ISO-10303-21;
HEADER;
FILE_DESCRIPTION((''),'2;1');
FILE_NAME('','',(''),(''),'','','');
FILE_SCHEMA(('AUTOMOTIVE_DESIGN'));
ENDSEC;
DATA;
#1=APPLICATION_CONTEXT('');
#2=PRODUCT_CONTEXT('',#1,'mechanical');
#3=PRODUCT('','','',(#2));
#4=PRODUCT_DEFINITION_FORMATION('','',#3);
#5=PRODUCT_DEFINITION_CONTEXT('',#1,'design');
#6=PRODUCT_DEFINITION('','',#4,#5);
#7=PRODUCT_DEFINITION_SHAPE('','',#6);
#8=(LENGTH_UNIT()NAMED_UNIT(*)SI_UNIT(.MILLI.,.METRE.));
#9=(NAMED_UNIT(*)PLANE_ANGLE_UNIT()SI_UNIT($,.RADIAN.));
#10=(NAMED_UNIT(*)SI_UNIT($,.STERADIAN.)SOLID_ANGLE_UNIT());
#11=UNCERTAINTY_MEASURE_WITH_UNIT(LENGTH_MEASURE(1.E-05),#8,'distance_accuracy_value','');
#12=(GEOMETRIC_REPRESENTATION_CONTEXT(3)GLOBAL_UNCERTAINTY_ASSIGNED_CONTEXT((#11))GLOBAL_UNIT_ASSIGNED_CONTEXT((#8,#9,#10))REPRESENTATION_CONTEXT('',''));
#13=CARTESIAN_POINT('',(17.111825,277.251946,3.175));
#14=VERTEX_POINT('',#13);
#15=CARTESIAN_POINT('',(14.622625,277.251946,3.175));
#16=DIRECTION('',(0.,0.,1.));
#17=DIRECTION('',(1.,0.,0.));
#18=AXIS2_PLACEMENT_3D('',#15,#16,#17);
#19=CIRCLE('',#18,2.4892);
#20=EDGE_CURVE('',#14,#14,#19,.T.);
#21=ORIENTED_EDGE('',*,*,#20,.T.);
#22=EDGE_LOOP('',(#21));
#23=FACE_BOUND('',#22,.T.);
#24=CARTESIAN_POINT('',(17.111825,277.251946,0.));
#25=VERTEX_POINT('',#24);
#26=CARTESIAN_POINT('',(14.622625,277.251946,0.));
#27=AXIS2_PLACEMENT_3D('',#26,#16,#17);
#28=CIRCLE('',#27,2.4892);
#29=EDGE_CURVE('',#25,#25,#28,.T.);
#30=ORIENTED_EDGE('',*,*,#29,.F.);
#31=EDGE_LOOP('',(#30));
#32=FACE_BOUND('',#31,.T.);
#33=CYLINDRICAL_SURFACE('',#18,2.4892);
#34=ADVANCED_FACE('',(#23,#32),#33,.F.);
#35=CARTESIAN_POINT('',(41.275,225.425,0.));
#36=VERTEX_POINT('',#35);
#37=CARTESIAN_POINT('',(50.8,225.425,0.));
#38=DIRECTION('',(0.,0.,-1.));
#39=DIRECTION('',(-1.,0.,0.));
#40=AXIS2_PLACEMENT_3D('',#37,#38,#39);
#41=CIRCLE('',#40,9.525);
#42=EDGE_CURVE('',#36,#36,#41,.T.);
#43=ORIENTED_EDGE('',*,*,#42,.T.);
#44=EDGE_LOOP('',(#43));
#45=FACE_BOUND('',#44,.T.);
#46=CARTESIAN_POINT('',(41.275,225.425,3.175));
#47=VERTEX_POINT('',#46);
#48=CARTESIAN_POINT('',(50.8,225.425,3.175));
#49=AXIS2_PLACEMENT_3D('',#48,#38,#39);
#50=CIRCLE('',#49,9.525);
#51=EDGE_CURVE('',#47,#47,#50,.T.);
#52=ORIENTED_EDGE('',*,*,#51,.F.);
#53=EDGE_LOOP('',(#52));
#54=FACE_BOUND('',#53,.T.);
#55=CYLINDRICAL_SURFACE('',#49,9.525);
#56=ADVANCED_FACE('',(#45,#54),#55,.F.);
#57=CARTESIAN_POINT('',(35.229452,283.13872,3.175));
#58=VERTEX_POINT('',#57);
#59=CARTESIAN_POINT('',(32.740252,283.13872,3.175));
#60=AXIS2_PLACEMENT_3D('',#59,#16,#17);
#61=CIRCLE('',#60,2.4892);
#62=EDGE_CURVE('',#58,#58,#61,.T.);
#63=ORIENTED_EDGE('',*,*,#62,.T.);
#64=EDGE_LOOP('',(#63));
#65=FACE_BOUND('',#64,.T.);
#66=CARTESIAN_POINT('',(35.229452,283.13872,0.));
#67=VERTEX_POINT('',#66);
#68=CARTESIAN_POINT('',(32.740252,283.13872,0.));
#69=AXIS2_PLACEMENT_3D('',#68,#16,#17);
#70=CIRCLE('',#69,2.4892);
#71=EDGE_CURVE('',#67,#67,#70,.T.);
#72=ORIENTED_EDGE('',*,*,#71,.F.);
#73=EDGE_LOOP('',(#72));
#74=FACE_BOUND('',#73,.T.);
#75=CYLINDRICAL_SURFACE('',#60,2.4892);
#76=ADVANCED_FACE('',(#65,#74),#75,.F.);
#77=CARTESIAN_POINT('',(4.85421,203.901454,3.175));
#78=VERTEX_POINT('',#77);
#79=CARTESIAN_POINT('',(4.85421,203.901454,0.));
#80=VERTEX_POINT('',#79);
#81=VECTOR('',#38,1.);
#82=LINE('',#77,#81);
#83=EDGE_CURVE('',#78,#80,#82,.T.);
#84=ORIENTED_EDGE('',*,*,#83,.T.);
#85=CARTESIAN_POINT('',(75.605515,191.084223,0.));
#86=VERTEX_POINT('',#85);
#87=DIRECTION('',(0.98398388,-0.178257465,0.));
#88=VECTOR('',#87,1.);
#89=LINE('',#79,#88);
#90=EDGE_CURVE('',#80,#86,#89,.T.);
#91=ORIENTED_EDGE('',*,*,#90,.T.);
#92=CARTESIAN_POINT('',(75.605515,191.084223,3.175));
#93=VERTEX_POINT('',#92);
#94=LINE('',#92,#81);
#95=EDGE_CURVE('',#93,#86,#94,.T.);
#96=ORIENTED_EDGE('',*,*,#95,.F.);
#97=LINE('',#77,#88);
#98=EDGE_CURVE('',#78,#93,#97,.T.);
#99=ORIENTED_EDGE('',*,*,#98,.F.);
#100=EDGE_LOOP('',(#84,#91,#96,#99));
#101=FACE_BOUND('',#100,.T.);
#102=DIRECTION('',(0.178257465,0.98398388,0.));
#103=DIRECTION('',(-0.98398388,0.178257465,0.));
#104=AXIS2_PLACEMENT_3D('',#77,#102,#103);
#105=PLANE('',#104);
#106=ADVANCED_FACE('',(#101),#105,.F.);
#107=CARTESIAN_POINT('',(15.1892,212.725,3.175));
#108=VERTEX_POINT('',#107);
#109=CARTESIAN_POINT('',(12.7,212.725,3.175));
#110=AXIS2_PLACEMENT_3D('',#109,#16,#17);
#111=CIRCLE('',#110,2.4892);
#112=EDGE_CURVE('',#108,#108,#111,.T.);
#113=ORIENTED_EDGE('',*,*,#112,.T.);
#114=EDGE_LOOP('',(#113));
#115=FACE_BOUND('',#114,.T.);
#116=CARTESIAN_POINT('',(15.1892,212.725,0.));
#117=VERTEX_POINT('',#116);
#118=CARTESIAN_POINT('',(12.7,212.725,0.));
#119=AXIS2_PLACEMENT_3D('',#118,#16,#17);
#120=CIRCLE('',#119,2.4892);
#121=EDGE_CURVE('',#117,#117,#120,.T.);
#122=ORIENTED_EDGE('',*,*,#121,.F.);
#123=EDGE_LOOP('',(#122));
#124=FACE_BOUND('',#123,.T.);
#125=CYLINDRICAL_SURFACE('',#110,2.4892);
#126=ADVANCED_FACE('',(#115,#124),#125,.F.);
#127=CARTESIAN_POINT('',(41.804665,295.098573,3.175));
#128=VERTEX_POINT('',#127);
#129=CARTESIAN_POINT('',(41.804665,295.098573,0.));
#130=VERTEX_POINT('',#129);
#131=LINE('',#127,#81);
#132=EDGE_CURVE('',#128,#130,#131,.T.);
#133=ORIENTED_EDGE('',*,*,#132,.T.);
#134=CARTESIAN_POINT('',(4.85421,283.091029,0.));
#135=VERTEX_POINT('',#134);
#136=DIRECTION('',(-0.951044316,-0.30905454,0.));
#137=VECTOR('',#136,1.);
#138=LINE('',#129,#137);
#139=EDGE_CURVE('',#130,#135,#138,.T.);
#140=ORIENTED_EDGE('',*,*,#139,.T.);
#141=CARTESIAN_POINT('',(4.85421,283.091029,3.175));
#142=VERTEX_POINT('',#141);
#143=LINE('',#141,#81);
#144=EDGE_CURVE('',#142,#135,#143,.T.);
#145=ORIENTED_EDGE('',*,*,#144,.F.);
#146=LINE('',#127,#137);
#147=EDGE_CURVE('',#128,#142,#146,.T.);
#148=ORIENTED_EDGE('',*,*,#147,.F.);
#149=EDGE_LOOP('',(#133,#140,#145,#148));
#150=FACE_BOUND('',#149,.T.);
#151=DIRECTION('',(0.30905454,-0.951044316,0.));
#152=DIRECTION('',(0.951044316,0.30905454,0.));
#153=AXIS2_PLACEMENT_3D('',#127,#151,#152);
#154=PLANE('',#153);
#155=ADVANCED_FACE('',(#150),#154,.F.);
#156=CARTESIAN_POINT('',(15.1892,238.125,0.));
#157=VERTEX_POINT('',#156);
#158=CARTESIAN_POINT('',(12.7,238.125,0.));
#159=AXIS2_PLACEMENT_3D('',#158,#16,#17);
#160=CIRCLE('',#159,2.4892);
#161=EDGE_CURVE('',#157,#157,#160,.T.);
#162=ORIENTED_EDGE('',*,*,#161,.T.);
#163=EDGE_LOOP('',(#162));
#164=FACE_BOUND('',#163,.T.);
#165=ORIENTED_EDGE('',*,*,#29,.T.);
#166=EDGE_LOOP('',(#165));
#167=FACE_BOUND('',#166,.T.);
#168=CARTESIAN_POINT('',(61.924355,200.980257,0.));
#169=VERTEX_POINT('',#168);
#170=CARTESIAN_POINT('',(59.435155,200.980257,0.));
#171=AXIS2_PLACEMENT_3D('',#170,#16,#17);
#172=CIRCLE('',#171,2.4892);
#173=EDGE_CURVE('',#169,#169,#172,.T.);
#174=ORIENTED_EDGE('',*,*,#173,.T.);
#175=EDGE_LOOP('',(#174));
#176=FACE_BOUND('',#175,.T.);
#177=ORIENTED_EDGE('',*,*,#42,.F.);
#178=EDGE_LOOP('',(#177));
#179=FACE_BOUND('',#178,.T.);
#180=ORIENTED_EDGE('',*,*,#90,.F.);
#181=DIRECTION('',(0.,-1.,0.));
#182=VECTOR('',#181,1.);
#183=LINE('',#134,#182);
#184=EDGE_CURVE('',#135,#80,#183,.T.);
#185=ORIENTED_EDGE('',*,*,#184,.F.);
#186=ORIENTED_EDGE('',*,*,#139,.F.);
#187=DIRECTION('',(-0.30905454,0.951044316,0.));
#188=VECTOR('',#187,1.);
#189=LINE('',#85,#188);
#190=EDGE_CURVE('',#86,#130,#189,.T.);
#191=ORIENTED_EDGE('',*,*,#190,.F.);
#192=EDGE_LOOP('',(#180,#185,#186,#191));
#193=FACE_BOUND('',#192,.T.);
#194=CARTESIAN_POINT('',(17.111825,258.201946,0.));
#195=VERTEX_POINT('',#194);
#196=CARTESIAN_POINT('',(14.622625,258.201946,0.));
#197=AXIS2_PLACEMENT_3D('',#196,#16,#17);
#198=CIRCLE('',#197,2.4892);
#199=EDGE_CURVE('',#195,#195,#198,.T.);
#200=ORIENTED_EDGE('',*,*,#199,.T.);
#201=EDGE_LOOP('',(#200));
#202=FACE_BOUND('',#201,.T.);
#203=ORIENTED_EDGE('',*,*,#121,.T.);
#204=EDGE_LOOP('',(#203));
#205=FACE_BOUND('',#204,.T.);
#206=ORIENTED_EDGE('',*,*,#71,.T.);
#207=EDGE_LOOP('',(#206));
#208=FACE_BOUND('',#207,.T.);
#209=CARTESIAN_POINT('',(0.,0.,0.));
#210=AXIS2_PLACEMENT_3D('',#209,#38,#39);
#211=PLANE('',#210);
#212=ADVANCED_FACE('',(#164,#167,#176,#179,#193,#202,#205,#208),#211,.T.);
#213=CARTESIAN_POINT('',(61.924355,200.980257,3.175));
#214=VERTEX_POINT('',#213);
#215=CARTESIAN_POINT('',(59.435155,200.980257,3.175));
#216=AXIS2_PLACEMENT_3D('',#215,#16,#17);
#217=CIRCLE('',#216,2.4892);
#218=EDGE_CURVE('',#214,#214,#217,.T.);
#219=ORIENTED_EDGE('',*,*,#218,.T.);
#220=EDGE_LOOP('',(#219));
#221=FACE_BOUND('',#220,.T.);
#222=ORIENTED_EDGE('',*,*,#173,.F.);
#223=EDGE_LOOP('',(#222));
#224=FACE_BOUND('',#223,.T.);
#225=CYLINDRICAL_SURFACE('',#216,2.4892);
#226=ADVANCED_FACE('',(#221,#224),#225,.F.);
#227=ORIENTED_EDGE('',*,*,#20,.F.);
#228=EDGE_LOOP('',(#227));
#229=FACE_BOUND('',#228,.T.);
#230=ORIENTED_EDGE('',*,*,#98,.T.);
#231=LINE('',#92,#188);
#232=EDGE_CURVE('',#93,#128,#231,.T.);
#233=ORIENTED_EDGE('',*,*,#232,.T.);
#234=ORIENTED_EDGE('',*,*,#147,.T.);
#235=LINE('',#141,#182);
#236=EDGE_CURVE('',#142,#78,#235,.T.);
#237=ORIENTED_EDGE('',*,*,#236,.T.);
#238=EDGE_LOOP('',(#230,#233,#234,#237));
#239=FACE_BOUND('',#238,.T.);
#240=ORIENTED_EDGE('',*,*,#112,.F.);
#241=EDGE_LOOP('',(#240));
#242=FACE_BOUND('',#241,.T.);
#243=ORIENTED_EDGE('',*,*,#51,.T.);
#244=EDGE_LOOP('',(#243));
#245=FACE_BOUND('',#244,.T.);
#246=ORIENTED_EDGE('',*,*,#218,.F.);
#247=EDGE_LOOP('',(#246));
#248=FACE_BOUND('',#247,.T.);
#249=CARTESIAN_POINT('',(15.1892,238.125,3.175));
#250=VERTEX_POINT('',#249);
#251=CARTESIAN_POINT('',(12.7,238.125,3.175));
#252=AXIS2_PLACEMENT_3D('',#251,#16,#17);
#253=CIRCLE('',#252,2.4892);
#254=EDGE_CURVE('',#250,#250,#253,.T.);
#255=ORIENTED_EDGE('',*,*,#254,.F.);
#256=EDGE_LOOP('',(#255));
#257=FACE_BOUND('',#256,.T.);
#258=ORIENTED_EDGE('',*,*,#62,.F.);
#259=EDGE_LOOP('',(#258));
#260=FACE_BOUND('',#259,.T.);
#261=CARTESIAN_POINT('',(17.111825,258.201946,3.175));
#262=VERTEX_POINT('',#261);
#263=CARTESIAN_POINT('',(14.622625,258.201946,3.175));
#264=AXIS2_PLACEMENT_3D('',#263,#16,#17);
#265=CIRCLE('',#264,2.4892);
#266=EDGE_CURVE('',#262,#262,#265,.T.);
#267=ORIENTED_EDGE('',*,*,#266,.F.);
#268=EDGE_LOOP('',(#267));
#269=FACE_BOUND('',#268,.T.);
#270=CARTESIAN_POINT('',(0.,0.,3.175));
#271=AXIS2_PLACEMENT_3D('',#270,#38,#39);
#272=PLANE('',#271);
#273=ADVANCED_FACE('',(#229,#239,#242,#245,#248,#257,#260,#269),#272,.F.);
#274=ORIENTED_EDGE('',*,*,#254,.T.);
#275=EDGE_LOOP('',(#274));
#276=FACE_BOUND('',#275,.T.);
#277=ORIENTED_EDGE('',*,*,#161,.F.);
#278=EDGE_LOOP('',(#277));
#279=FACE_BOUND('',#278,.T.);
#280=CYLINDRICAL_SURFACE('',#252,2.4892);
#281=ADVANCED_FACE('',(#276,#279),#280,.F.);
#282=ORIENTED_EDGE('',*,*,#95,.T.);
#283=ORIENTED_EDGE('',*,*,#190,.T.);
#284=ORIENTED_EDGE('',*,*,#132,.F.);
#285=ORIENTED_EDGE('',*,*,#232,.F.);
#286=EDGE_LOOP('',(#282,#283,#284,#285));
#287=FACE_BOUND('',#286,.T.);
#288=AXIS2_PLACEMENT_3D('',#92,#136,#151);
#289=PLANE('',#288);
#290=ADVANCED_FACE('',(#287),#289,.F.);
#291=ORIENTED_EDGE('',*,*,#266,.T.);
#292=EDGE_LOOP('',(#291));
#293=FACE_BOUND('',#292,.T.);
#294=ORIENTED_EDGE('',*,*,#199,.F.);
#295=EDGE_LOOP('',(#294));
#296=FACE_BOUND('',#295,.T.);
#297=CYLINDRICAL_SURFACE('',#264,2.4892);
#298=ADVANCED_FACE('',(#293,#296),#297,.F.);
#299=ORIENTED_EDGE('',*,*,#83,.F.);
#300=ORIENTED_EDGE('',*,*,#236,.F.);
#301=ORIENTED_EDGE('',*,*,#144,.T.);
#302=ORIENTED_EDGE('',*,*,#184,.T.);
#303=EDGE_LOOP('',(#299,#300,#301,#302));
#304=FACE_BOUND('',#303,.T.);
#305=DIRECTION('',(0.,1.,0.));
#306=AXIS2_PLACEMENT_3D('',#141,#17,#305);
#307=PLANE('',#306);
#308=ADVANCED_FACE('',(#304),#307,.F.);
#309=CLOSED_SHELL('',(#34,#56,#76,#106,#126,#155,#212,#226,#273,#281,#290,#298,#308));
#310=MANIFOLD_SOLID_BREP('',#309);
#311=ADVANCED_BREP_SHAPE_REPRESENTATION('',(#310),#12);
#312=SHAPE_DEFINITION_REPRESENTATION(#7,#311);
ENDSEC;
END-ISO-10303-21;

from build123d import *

# Parameters (mm, degrees)
BOSS_EXTRUDE1_DEPTH    = 3.175
F_10_CLEARANCE_HOLE1_D = 4.9784
SKETCH8_R              = 9.525
CUT_EXTRUDE1_DEPTH     = 305.646421585


with BuildPart() as part:
    # Sketch2 → Boss-Extrude1 (new body)
    with BuildSketch(Plane.XY):
        Polygon((75.605515224, 191.084223429), (41.804664545, 295.09857273), (4.854209552, 283.091029346), (4.854209552, 203.901454104), align=None)
    extrude(amount=BOSS_EXTRUDE1_DEPTH)

    # #10 Clearance Hole1 (through all)
    with Locations(Plane.XY.offset(3.175)):
        with Locations((32.740251946, 283.138719963), (59.435154755, 200.980257064), (12.7, 238.125), (12.7, 212.725), (14.622625311, 277.25194622), (14.622625311, 258.20194622)):
            Hole(F_10_CLEARANCE_HOLE1_D / 2)

    # Sketch8 → Cut-Extrude1 (cut, through all)
    with BuildSketch(Plane(origin=(0, 0, 0), x_dir=(-1, 0, 0), z_dir=(0, 0, -1))):
        with Locations((-50.8, 225.425)):
            Circle(SKETCH8_R)
    extrude(amount=-CUT_EXTRUDE1_DEPTH, mode=Mode.SUBTRACT)


solid = part.part
